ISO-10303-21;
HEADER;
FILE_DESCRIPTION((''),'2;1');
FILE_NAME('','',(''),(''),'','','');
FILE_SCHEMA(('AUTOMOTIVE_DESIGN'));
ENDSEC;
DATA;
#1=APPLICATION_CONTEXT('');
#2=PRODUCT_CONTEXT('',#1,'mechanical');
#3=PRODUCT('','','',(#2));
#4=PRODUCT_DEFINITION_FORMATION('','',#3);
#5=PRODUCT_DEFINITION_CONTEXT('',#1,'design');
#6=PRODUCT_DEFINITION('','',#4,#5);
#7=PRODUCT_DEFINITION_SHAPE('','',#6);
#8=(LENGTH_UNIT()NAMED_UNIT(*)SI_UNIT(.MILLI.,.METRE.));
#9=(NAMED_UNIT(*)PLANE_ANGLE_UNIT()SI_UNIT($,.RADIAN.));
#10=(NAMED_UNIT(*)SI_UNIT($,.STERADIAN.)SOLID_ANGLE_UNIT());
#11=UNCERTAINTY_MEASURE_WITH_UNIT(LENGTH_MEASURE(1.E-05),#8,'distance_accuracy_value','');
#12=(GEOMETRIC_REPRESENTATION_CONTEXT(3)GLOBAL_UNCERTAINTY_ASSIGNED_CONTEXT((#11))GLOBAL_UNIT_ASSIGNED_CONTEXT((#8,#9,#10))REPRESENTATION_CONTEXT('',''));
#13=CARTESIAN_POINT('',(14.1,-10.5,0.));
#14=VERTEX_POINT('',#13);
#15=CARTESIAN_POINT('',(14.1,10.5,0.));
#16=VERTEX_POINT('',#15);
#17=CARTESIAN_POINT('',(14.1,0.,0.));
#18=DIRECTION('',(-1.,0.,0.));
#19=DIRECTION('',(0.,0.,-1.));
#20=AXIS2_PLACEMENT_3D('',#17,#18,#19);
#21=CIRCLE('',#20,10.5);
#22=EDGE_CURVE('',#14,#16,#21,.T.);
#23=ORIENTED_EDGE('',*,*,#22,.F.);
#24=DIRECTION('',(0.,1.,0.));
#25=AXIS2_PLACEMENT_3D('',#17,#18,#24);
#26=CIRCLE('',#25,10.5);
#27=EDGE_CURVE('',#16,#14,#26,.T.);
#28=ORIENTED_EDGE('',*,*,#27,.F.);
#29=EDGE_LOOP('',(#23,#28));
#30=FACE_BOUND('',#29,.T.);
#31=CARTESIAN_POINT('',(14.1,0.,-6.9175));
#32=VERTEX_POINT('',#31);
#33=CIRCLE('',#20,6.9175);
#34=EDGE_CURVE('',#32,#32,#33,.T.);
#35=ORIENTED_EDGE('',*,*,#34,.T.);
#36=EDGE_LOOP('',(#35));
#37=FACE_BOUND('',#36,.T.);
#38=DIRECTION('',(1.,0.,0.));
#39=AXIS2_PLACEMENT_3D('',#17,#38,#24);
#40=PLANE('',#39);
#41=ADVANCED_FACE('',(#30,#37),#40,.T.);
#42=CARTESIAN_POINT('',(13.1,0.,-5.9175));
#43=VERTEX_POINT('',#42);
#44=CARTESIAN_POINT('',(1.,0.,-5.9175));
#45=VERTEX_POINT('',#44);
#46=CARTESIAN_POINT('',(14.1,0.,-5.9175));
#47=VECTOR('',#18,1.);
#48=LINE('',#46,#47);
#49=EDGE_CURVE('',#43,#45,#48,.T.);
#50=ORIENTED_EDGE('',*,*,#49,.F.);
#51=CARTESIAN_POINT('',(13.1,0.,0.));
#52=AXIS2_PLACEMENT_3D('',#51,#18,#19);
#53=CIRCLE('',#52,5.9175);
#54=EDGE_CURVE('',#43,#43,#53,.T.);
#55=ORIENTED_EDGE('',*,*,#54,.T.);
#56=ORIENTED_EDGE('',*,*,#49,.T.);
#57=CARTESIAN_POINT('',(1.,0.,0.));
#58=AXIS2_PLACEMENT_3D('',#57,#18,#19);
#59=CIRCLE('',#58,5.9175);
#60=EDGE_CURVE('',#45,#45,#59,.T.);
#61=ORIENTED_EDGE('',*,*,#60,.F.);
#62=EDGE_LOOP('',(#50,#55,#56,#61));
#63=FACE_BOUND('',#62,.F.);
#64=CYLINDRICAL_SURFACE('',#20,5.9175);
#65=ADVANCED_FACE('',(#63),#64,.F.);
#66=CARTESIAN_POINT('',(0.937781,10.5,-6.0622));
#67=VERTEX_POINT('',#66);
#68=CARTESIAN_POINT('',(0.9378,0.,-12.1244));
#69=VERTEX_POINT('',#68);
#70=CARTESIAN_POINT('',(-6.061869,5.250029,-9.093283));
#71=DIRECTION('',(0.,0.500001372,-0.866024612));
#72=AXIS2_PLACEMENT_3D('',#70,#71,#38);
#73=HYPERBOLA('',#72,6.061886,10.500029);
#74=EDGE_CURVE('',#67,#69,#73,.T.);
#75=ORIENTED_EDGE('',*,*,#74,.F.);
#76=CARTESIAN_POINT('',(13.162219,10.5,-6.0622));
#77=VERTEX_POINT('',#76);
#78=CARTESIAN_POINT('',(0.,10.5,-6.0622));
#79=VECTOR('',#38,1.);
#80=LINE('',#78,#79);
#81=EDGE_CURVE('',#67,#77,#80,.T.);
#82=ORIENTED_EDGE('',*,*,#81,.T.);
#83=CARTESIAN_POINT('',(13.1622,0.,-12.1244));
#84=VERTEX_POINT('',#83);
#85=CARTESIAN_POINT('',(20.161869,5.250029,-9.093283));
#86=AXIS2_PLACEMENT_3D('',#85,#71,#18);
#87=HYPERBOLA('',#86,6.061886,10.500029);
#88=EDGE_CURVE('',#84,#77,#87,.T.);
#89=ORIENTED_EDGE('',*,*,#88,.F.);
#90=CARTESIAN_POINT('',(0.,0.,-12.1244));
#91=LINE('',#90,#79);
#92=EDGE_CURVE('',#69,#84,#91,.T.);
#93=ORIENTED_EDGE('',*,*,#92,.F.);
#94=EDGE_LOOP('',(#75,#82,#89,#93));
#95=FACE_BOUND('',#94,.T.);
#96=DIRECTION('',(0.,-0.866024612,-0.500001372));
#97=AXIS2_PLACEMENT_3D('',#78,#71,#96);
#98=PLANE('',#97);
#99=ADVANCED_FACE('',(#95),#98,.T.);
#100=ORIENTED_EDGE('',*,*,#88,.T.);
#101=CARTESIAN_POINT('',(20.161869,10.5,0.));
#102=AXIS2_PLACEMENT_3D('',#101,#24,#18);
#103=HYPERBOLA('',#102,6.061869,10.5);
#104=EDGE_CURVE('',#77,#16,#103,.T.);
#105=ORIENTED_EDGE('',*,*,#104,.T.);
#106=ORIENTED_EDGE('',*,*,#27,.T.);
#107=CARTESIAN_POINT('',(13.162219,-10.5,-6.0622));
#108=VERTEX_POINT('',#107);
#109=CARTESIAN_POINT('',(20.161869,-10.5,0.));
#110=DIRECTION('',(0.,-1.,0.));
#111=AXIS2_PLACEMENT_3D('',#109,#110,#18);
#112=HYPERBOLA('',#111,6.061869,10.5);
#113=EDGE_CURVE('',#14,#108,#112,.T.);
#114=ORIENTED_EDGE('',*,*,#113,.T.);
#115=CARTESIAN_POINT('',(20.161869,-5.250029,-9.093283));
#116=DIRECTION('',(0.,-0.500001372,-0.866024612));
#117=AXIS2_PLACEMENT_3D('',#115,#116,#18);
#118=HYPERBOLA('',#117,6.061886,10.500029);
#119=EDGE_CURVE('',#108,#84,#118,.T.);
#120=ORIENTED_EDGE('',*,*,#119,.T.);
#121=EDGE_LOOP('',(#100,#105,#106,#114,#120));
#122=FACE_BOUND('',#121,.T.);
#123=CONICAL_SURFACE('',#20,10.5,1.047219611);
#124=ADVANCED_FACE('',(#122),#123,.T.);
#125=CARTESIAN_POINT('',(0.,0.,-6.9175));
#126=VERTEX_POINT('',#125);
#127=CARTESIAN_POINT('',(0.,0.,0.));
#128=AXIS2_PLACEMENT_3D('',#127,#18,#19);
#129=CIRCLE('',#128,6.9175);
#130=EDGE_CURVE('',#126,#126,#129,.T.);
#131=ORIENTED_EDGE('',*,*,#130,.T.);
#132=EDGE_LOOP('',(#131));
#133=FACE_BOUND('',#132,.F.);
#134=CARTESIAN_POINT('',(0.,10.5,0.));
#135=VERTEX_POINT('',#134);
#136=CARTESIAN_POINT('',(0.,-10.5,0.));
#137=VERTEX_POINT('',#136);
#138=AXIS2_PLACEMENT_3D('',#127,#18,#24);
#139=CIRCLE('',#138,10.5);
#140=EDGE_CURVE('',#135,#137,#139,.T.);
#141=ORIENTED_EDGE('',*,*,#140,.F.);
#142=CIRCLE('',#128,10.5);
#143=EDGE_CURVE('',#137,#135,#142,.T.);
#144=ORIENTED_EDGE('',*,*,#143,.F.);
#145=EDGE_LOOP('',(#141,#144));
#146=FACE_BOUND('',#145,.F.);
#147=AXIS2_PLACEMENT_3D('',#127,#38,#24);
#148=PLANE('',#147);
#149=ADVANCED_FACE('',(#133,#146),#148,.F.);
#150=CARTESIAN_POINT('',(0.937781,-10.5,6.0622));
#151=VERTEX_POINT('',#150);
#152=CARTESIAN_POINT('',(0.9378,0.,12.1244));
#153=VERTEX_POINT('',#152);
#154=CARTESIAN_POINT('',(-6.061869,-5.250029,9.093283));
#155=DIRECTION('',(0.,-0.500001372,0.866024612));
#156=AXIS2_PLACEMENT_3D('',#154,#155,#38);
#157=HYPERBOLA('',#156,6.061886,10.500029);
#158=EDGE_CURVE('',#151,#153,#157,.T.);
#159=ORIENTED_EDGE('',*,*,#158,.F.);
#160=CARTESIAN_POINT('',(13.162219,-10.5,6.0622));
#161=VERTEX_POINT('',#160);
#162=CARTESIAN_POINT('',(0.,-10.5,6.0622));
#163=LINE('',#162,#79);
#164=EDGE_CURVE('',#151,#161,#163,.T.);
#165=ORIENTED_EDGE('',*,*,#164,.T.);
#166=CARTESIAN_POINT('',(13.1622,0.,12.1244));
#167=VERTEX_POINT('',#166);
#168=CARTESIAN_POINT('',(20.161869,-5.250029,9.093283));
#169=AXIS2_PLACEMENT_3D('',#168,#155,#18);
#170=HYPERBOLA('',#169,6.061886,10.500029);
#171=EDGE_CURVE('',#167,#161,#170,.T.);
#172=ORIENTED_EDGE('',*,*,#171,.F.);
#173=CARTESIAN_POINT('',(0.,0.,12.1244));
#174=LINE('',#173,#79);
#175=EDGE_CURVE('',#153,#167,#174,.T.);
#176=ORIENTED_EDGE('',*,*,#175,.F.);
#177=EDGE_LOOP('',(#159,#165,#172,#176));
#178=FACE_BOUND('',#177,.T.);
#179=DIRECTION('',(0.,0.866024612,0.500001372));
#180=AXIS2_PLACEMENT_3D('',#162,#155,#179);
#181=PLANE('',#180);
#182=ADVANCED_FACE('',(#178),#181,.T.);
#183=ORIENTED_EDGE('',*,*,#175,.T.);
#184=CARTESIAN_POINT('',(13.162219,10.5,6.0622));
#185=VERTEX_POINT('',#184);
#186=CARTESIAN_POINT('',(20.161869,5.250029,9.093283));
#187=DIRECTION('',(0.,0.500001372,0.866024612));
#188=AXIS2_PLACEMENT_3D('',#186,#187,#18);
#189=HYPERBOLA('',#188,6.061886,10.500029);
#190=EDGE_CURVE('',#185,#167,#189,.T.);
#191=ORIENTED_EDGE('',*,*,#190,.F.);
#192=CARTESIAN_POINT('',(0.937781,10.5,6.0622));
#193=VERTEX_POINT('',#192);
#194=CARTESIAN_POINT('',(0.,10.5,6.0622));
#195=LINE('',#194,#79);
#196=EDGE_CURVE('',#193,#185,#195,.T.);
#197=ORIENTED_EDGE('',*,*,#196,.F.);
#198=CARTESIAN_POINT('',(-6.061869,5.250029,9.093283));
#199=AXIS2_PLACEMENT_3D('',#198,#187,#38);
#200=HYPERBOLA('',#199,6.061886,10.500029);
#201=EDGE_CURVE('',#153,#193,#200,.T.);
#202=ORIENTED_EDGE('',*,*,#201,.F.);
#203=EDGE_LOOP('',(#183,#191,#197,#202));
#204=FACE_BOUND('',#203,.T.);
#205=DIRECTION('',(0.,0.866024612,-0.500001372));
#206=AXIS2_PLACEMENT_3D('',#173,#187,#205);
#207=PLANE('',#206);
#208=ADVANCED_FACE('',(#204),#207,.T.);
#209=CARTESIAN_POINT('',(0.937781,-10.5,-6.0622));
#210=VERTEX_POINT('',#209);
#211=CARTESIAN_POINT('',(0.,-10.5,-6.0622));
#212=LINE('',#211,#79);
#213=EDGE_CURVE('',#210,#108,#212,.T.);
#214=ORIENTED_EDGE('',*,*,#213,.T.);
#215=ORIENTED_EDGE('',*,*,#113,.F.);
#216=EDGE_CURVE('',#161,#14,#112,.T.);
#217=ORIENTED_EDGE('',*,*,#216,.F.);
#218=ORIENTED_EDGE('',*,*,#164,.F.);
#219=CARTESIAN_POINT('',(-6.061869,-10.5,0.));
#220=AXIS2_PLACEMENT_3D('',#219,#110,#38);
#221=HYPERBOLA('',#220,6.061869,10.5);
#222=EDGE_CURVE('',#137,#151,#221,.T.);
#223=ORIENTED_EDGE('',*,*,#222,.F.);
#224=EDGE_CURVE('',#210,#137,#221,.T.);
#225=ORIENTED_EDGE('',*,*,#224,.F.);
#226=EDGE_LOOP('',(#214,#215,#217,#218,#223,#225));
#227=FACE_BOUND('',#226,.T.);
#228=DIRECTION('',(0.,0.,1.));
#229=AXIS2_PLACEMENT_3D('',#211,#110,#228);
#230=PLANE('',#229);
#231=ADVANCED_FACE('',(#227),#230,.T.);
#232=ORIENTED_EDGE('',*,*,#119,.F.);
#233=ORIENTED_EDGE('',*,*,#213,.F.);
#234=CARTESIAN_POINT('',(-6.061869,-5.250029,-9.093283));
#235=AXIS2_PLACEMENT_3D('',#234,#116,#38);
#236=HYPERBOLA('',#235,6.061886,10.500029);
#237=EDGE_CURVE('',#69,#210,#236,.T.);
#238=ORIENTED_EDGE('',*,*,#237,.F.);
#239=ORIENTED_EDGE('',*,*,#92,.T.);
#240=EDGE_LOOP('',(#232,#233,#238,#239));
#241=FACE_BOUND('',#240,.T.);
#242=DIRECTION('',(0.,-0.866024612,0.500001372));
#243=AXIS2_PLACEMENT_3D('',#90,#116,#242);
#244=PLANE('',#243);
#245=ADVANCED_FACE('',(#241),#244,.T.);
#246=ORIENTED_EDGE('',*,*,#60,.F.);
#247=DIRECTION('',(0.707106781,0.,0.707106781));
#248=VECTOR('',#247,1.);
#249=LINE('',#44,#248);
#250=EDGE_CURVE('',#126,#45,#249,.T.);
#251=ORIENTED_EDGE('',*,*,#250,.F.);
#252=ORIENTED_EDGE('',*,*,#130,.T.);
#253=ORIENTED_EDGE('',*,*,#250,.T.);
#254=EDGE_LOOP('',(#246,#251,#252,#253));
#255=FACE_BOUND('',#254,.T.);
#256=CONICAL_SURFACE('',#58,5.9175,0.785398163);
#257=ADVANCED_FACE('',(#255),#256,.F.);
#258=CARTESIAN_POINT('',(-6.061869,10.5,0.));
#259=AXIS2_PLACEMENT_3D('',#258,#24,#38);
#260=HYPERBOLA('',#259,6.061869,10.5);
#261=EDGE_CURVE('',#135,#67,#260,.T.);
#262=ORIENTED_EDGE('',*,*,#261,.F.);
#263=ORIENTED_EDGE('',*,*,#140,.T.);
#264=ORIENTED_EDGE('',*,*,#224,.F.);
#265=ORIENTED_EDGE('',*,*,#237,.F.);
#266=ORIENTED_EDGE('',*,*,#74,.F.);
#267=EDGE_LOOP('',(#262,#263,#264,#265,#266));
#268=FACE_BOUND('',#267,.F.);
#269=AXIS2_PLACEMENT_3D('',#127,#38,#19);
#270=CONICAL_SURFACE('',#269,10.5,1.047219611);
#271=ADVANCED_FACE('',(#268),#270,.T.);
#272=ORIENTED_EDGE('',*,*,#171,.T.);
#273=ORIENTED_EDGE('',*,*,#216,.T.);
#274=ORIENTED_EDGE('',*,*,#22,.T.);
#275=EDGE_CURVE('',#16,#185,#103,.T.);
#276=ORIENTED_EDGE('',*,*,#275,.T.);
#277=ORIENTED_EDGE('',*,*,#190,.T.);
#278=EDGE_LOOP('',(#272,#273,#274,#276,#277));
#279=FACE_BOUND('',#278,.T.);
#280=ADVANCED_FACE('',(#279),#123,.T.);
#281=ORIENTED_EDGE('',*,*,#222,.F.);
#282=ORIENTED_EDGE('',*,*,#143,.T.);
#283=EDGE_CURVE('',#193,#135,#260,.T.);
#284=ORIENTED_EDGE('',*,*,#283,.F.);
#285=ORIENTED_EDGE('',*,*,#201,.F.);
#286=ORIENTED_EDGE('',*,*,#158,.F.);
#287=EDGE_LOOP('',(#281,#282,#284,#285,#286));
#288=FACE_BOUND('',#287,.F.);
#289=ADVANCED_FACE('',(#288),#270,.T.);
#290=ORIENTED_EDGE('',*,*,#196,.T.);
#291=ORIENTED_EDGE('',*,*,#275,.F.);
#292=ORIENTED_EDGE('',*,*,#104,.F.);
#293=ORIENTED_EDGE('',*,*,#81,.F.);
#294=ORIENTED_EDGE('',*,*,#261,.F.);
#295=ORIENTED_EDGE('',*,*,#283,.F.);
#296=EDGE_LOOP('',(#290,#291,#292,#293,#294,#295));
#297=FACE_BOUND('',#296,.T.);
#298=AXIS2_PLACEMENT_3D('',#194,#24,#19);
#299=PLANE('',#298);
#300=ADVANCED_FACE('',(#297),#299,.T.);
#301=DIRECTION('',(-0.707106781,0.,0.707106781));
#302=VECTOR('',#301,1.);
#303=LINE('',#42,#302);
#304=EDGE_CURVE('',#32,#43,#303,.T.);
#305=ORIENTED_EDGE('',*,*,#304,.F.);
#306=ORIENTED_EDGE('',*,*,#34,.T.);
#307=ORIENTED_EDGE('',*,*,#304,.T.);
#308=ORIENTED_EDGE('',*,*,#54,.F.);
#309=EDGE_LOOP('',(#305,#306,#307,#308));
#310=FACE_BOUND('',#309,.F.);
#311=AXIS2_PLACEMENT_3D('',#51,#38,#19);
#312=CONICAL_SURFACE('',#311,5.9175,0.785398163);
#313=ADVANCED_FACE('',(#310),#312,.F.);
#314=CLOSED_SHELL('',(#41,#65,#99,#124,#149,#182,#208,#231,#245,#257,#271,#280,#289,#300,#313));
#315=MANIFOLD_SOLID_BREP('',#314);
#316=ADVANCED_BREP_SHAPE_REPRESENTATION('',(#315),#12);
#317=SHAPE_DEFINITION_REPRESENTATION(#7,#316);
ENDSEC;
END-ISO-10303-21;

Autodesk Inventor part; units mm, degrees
sketch "Sketch1" plane through (0, 0, 0) normal (1, 0, 0) x (0, 1, 0)
  line L0 (10.5, 6.0622) -> (10.5, -6.0622)
  line L1 (10.5, -6.0622) -> (0, -12.1244)
  line L2 (0, -12.1244) -> (-10.5, -6.0622)
  line L3 (-10.5, -6.0622) -> (-10.5, 6.0622)
  line L4 (-10.5, 6.0622) -> (0, 12.1244)
  line L5 (0, 12.1244) -> (10.5, 6.0622)
  circle A0 centre (0, 0) radius 10.5 construction
  dimension "d0" = 21
extrude "Extrusion1" add sketch "Sketch1" along normal blind 14.1
sketch "Sketch2" plane through (14.1, 0, 0) normal (1, 0, 0) x (0, 1, 0)
  line L0 (-10.5, 6.0622) -> (0, 12.1244) projected
  line L1 (0, -12.1244) -> (-10.5, -6.0622) projected
  line L2 (-10.5, 6.0622) -> (10.5, -6.0622) construction
  line L3 (-10.5, -6.0622) -> (10.5, 6.0622) construction
  point P0 (0, 0)
hole "Hole1" at (14.1, 0, 0) direction (-1, 0, 0) diameter 11.835 end through all thread size "M14x2" class "6H" standard "ISO Metric profile"
chamfer "Chamfer1" distance 1 angle 45 2 edges at (14.1, 0, 5.9175) (0, 0, 5.9175)
sketch "Sketch3" plane through (0, 0, 0) normal (0, 1, 0) x (-1, 0, 0)
  line L0 (-17.0915, 0) -> (3.8489, 0) projected
  line L1 (-5.7048, 0) -> (0.8574, 0)
  line L2 (-14.1, 0) -> (-14.1, -12.1244)
  line L3 (-14.1, -12.1244) -> (0, -12.1244)
  line L4 (0, -12.1244) -> (0, 0)
  line L5 (-14.1, -6.0622) -> (-14.1, -12.1244) projected
  line L6 (0, -6.0622) -> (0, -12.1244) projected
  line L7 (0, -12.1244) -> (-14.1, -12.1244) projected
  line L8 (-14.1, -10.5) -> (-13.1622, -12.1244)
  line L9 (-14.1, -12.1244) -> (-14.1, -10.5)
  line L10 (-14.1, -12.1244) -> (-13.1622, -12.1244)
  line L11 (0, -10.5) -> (-0.9378, -12.1244)
  line L12 (-0.9378, -12.1244) -> (0, -12.1244)
  line L13 (0, -12.1244) -> (0, -10.5)
  dimension "d32" = 10.5
  dimension "d33" = 30
revolve "Revolution1" cut sketch "Sketch3" angle 360 about axis through (0, 0, 0) along (-1, 0, 0) contours L8 L3 L2 | L4 L3 L11
ref_plane "MSC_PT1" through (14.1, 0, 0) normal (1, 0, 0) x (0, 1, 0)
ref_plane "MSC_PT2" through (0, 0, 0) normal (-1, 0, 0) x (0, -1, 0)
ref_plane "MSC_PF1" through (0, 0, 0) normal (1, 0, 0) x (0, 1, 0)
equation "\"d0\" = Smax"
equation "\"d1\" = Mmax"
equation "\"d10\" = 0.5 * PTC"
equation "\"d32\" = 0.5 * Smax"
equation "\"NND\" = 14"
equation "\"Smax\" = 21"
equation "\"Mmax\" = 14.1"
equation "\"PTC\" = 2"
equation "\"THREADDIA\" = NND"
equation "\"TEMPLATE\" = 1.2345"
properties part number "ANSI B18.2.4.2M - M14x2" material "Steel, Mild"
